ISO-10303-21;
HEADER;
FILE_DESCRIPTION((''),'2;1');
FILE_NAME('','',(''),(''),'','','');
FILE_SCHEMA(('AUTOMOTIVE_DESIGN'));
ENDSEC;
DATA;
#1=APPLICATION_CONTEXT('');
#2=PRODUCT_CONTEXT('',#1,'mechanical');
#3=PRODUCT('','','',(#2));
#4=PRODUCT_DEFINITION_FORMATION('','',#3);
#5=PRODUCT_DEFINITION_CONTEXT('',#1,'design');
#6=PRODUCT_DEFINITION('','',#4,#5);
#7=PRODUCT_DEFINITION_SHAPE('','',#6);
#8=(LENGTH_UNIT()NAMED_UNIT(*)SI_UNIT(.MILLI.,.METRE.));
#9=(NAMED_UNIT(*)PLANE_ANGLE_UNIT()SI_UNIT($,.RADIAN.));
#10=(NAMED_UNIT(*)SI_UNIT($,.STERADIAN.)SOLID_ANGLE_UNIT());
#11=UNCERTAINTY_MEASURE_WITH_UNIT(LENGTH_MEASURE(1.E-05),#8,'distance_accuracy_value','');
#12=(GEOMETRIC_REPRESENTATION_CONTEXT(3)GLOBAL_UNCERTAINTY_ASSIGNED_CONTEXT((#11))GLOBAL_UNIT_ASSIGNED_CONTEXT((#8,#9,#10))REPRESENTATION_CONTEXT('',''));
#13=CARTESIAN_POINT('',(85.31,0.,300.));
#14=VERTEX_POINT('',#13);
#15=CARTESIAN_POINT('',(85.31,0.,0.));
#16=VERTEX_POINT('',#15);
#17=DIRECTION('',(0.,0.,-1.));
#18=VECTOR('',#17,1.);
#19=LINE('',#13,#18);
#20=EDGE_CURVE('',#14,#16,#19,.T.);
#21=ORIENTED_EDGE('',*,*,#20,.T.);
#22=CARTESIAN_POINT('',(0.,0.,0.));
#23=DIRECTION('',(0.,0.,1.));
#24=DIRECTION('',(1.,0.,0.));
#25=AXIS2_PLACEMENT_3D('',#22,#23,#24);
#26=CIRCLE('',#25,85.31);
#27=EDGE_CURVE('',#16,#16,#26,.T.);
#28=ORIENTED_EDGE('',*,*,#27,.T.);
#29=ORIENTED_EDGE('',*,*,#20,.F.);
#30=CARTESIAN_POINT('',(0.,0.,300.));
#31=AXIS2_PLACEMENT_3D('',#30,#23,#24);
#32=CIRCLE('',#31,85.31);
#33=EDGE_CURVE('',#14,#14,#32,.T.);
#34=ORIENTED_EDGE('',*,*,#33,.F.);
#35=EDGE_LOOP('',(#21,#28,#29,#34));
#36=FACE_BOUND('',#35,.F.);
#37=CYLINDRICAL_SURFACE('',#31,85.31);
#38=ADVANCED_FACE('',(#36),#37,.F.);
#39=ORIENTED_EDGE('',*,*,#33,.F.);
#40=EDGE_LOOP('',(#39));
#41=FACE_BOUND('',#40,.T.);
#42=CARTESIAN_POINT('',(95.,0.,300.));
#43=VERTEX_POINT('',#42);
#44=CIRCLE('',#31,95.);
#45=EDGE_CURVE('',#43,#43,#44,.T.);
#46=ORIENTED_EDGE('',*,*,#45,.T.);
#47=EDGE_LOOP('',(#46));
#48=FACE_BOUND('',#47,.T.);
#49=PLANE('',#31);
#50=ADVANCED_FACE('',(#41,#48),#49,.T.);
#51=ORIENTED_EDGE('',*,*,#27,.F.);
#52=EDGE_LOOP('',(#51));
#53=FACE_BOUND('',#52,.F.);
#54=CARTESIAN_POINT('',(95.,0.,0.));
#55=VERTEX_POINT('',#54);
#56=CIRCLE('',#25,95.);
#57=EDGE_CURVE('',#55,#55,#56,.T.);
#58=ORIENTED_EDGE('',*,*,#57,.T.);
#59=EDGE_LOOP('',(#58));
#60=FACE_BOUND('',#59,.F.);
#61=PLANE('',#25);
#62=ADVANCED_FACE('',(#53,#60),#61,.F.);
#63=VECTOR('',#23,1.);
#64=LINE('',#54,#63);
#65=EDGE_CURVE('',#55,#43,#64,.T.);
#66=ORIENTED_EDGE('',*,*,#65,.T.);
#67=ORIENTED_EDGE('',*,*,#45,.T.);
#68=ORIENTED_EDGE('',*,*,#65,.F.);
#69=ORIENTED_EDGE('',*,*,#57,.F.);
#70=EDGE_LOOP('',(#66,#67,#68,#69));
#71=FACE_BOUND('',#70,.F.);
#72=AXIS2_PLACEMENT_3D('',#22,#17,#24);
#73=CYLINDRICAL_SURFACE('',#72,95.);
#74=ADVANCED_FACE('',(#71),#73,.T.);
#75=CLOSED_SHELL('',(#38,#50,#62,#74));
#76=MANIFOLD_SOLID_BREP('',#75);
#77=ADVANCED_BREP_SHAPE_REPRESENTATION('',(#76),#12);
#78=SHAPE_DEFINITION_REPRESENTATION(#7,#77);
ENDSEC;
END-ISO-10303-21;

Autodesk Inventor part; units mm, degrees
ref_plane "YZ Plane" through (0, 0, 0) normal (1, 0, 0) x (0, 1, 0)
ref_plane "XZ Plane" through (0, 0, 0) normal (0, 1, 0) x (-1, 0, 0)
ref_plane "XY Plane" through (0, 0, 0) normal (0, 0, 1) x (1, 0, 0)
sketch "Boceto1" plane through (0, 0, 0) normal (0, 0, 1) x (1, 0, 0)
  circle A0 centre (0, 0) radius 95
  dimension "d0" = 190
extrude "Extrusión1" add sketch "Boceto1" along normal blind 300
sketch "Boceto3" plane through (0, 0, 300) normal (0, 0, 1) x (1, 0, 0)
  circle A0 centre (0, 0) radius 85.31
  dimension "d6" = 170.62
extrude "Extrusión3" cut sketch "Boceto3" against normal blind 3000
properties part number "Tubo de filtro"
